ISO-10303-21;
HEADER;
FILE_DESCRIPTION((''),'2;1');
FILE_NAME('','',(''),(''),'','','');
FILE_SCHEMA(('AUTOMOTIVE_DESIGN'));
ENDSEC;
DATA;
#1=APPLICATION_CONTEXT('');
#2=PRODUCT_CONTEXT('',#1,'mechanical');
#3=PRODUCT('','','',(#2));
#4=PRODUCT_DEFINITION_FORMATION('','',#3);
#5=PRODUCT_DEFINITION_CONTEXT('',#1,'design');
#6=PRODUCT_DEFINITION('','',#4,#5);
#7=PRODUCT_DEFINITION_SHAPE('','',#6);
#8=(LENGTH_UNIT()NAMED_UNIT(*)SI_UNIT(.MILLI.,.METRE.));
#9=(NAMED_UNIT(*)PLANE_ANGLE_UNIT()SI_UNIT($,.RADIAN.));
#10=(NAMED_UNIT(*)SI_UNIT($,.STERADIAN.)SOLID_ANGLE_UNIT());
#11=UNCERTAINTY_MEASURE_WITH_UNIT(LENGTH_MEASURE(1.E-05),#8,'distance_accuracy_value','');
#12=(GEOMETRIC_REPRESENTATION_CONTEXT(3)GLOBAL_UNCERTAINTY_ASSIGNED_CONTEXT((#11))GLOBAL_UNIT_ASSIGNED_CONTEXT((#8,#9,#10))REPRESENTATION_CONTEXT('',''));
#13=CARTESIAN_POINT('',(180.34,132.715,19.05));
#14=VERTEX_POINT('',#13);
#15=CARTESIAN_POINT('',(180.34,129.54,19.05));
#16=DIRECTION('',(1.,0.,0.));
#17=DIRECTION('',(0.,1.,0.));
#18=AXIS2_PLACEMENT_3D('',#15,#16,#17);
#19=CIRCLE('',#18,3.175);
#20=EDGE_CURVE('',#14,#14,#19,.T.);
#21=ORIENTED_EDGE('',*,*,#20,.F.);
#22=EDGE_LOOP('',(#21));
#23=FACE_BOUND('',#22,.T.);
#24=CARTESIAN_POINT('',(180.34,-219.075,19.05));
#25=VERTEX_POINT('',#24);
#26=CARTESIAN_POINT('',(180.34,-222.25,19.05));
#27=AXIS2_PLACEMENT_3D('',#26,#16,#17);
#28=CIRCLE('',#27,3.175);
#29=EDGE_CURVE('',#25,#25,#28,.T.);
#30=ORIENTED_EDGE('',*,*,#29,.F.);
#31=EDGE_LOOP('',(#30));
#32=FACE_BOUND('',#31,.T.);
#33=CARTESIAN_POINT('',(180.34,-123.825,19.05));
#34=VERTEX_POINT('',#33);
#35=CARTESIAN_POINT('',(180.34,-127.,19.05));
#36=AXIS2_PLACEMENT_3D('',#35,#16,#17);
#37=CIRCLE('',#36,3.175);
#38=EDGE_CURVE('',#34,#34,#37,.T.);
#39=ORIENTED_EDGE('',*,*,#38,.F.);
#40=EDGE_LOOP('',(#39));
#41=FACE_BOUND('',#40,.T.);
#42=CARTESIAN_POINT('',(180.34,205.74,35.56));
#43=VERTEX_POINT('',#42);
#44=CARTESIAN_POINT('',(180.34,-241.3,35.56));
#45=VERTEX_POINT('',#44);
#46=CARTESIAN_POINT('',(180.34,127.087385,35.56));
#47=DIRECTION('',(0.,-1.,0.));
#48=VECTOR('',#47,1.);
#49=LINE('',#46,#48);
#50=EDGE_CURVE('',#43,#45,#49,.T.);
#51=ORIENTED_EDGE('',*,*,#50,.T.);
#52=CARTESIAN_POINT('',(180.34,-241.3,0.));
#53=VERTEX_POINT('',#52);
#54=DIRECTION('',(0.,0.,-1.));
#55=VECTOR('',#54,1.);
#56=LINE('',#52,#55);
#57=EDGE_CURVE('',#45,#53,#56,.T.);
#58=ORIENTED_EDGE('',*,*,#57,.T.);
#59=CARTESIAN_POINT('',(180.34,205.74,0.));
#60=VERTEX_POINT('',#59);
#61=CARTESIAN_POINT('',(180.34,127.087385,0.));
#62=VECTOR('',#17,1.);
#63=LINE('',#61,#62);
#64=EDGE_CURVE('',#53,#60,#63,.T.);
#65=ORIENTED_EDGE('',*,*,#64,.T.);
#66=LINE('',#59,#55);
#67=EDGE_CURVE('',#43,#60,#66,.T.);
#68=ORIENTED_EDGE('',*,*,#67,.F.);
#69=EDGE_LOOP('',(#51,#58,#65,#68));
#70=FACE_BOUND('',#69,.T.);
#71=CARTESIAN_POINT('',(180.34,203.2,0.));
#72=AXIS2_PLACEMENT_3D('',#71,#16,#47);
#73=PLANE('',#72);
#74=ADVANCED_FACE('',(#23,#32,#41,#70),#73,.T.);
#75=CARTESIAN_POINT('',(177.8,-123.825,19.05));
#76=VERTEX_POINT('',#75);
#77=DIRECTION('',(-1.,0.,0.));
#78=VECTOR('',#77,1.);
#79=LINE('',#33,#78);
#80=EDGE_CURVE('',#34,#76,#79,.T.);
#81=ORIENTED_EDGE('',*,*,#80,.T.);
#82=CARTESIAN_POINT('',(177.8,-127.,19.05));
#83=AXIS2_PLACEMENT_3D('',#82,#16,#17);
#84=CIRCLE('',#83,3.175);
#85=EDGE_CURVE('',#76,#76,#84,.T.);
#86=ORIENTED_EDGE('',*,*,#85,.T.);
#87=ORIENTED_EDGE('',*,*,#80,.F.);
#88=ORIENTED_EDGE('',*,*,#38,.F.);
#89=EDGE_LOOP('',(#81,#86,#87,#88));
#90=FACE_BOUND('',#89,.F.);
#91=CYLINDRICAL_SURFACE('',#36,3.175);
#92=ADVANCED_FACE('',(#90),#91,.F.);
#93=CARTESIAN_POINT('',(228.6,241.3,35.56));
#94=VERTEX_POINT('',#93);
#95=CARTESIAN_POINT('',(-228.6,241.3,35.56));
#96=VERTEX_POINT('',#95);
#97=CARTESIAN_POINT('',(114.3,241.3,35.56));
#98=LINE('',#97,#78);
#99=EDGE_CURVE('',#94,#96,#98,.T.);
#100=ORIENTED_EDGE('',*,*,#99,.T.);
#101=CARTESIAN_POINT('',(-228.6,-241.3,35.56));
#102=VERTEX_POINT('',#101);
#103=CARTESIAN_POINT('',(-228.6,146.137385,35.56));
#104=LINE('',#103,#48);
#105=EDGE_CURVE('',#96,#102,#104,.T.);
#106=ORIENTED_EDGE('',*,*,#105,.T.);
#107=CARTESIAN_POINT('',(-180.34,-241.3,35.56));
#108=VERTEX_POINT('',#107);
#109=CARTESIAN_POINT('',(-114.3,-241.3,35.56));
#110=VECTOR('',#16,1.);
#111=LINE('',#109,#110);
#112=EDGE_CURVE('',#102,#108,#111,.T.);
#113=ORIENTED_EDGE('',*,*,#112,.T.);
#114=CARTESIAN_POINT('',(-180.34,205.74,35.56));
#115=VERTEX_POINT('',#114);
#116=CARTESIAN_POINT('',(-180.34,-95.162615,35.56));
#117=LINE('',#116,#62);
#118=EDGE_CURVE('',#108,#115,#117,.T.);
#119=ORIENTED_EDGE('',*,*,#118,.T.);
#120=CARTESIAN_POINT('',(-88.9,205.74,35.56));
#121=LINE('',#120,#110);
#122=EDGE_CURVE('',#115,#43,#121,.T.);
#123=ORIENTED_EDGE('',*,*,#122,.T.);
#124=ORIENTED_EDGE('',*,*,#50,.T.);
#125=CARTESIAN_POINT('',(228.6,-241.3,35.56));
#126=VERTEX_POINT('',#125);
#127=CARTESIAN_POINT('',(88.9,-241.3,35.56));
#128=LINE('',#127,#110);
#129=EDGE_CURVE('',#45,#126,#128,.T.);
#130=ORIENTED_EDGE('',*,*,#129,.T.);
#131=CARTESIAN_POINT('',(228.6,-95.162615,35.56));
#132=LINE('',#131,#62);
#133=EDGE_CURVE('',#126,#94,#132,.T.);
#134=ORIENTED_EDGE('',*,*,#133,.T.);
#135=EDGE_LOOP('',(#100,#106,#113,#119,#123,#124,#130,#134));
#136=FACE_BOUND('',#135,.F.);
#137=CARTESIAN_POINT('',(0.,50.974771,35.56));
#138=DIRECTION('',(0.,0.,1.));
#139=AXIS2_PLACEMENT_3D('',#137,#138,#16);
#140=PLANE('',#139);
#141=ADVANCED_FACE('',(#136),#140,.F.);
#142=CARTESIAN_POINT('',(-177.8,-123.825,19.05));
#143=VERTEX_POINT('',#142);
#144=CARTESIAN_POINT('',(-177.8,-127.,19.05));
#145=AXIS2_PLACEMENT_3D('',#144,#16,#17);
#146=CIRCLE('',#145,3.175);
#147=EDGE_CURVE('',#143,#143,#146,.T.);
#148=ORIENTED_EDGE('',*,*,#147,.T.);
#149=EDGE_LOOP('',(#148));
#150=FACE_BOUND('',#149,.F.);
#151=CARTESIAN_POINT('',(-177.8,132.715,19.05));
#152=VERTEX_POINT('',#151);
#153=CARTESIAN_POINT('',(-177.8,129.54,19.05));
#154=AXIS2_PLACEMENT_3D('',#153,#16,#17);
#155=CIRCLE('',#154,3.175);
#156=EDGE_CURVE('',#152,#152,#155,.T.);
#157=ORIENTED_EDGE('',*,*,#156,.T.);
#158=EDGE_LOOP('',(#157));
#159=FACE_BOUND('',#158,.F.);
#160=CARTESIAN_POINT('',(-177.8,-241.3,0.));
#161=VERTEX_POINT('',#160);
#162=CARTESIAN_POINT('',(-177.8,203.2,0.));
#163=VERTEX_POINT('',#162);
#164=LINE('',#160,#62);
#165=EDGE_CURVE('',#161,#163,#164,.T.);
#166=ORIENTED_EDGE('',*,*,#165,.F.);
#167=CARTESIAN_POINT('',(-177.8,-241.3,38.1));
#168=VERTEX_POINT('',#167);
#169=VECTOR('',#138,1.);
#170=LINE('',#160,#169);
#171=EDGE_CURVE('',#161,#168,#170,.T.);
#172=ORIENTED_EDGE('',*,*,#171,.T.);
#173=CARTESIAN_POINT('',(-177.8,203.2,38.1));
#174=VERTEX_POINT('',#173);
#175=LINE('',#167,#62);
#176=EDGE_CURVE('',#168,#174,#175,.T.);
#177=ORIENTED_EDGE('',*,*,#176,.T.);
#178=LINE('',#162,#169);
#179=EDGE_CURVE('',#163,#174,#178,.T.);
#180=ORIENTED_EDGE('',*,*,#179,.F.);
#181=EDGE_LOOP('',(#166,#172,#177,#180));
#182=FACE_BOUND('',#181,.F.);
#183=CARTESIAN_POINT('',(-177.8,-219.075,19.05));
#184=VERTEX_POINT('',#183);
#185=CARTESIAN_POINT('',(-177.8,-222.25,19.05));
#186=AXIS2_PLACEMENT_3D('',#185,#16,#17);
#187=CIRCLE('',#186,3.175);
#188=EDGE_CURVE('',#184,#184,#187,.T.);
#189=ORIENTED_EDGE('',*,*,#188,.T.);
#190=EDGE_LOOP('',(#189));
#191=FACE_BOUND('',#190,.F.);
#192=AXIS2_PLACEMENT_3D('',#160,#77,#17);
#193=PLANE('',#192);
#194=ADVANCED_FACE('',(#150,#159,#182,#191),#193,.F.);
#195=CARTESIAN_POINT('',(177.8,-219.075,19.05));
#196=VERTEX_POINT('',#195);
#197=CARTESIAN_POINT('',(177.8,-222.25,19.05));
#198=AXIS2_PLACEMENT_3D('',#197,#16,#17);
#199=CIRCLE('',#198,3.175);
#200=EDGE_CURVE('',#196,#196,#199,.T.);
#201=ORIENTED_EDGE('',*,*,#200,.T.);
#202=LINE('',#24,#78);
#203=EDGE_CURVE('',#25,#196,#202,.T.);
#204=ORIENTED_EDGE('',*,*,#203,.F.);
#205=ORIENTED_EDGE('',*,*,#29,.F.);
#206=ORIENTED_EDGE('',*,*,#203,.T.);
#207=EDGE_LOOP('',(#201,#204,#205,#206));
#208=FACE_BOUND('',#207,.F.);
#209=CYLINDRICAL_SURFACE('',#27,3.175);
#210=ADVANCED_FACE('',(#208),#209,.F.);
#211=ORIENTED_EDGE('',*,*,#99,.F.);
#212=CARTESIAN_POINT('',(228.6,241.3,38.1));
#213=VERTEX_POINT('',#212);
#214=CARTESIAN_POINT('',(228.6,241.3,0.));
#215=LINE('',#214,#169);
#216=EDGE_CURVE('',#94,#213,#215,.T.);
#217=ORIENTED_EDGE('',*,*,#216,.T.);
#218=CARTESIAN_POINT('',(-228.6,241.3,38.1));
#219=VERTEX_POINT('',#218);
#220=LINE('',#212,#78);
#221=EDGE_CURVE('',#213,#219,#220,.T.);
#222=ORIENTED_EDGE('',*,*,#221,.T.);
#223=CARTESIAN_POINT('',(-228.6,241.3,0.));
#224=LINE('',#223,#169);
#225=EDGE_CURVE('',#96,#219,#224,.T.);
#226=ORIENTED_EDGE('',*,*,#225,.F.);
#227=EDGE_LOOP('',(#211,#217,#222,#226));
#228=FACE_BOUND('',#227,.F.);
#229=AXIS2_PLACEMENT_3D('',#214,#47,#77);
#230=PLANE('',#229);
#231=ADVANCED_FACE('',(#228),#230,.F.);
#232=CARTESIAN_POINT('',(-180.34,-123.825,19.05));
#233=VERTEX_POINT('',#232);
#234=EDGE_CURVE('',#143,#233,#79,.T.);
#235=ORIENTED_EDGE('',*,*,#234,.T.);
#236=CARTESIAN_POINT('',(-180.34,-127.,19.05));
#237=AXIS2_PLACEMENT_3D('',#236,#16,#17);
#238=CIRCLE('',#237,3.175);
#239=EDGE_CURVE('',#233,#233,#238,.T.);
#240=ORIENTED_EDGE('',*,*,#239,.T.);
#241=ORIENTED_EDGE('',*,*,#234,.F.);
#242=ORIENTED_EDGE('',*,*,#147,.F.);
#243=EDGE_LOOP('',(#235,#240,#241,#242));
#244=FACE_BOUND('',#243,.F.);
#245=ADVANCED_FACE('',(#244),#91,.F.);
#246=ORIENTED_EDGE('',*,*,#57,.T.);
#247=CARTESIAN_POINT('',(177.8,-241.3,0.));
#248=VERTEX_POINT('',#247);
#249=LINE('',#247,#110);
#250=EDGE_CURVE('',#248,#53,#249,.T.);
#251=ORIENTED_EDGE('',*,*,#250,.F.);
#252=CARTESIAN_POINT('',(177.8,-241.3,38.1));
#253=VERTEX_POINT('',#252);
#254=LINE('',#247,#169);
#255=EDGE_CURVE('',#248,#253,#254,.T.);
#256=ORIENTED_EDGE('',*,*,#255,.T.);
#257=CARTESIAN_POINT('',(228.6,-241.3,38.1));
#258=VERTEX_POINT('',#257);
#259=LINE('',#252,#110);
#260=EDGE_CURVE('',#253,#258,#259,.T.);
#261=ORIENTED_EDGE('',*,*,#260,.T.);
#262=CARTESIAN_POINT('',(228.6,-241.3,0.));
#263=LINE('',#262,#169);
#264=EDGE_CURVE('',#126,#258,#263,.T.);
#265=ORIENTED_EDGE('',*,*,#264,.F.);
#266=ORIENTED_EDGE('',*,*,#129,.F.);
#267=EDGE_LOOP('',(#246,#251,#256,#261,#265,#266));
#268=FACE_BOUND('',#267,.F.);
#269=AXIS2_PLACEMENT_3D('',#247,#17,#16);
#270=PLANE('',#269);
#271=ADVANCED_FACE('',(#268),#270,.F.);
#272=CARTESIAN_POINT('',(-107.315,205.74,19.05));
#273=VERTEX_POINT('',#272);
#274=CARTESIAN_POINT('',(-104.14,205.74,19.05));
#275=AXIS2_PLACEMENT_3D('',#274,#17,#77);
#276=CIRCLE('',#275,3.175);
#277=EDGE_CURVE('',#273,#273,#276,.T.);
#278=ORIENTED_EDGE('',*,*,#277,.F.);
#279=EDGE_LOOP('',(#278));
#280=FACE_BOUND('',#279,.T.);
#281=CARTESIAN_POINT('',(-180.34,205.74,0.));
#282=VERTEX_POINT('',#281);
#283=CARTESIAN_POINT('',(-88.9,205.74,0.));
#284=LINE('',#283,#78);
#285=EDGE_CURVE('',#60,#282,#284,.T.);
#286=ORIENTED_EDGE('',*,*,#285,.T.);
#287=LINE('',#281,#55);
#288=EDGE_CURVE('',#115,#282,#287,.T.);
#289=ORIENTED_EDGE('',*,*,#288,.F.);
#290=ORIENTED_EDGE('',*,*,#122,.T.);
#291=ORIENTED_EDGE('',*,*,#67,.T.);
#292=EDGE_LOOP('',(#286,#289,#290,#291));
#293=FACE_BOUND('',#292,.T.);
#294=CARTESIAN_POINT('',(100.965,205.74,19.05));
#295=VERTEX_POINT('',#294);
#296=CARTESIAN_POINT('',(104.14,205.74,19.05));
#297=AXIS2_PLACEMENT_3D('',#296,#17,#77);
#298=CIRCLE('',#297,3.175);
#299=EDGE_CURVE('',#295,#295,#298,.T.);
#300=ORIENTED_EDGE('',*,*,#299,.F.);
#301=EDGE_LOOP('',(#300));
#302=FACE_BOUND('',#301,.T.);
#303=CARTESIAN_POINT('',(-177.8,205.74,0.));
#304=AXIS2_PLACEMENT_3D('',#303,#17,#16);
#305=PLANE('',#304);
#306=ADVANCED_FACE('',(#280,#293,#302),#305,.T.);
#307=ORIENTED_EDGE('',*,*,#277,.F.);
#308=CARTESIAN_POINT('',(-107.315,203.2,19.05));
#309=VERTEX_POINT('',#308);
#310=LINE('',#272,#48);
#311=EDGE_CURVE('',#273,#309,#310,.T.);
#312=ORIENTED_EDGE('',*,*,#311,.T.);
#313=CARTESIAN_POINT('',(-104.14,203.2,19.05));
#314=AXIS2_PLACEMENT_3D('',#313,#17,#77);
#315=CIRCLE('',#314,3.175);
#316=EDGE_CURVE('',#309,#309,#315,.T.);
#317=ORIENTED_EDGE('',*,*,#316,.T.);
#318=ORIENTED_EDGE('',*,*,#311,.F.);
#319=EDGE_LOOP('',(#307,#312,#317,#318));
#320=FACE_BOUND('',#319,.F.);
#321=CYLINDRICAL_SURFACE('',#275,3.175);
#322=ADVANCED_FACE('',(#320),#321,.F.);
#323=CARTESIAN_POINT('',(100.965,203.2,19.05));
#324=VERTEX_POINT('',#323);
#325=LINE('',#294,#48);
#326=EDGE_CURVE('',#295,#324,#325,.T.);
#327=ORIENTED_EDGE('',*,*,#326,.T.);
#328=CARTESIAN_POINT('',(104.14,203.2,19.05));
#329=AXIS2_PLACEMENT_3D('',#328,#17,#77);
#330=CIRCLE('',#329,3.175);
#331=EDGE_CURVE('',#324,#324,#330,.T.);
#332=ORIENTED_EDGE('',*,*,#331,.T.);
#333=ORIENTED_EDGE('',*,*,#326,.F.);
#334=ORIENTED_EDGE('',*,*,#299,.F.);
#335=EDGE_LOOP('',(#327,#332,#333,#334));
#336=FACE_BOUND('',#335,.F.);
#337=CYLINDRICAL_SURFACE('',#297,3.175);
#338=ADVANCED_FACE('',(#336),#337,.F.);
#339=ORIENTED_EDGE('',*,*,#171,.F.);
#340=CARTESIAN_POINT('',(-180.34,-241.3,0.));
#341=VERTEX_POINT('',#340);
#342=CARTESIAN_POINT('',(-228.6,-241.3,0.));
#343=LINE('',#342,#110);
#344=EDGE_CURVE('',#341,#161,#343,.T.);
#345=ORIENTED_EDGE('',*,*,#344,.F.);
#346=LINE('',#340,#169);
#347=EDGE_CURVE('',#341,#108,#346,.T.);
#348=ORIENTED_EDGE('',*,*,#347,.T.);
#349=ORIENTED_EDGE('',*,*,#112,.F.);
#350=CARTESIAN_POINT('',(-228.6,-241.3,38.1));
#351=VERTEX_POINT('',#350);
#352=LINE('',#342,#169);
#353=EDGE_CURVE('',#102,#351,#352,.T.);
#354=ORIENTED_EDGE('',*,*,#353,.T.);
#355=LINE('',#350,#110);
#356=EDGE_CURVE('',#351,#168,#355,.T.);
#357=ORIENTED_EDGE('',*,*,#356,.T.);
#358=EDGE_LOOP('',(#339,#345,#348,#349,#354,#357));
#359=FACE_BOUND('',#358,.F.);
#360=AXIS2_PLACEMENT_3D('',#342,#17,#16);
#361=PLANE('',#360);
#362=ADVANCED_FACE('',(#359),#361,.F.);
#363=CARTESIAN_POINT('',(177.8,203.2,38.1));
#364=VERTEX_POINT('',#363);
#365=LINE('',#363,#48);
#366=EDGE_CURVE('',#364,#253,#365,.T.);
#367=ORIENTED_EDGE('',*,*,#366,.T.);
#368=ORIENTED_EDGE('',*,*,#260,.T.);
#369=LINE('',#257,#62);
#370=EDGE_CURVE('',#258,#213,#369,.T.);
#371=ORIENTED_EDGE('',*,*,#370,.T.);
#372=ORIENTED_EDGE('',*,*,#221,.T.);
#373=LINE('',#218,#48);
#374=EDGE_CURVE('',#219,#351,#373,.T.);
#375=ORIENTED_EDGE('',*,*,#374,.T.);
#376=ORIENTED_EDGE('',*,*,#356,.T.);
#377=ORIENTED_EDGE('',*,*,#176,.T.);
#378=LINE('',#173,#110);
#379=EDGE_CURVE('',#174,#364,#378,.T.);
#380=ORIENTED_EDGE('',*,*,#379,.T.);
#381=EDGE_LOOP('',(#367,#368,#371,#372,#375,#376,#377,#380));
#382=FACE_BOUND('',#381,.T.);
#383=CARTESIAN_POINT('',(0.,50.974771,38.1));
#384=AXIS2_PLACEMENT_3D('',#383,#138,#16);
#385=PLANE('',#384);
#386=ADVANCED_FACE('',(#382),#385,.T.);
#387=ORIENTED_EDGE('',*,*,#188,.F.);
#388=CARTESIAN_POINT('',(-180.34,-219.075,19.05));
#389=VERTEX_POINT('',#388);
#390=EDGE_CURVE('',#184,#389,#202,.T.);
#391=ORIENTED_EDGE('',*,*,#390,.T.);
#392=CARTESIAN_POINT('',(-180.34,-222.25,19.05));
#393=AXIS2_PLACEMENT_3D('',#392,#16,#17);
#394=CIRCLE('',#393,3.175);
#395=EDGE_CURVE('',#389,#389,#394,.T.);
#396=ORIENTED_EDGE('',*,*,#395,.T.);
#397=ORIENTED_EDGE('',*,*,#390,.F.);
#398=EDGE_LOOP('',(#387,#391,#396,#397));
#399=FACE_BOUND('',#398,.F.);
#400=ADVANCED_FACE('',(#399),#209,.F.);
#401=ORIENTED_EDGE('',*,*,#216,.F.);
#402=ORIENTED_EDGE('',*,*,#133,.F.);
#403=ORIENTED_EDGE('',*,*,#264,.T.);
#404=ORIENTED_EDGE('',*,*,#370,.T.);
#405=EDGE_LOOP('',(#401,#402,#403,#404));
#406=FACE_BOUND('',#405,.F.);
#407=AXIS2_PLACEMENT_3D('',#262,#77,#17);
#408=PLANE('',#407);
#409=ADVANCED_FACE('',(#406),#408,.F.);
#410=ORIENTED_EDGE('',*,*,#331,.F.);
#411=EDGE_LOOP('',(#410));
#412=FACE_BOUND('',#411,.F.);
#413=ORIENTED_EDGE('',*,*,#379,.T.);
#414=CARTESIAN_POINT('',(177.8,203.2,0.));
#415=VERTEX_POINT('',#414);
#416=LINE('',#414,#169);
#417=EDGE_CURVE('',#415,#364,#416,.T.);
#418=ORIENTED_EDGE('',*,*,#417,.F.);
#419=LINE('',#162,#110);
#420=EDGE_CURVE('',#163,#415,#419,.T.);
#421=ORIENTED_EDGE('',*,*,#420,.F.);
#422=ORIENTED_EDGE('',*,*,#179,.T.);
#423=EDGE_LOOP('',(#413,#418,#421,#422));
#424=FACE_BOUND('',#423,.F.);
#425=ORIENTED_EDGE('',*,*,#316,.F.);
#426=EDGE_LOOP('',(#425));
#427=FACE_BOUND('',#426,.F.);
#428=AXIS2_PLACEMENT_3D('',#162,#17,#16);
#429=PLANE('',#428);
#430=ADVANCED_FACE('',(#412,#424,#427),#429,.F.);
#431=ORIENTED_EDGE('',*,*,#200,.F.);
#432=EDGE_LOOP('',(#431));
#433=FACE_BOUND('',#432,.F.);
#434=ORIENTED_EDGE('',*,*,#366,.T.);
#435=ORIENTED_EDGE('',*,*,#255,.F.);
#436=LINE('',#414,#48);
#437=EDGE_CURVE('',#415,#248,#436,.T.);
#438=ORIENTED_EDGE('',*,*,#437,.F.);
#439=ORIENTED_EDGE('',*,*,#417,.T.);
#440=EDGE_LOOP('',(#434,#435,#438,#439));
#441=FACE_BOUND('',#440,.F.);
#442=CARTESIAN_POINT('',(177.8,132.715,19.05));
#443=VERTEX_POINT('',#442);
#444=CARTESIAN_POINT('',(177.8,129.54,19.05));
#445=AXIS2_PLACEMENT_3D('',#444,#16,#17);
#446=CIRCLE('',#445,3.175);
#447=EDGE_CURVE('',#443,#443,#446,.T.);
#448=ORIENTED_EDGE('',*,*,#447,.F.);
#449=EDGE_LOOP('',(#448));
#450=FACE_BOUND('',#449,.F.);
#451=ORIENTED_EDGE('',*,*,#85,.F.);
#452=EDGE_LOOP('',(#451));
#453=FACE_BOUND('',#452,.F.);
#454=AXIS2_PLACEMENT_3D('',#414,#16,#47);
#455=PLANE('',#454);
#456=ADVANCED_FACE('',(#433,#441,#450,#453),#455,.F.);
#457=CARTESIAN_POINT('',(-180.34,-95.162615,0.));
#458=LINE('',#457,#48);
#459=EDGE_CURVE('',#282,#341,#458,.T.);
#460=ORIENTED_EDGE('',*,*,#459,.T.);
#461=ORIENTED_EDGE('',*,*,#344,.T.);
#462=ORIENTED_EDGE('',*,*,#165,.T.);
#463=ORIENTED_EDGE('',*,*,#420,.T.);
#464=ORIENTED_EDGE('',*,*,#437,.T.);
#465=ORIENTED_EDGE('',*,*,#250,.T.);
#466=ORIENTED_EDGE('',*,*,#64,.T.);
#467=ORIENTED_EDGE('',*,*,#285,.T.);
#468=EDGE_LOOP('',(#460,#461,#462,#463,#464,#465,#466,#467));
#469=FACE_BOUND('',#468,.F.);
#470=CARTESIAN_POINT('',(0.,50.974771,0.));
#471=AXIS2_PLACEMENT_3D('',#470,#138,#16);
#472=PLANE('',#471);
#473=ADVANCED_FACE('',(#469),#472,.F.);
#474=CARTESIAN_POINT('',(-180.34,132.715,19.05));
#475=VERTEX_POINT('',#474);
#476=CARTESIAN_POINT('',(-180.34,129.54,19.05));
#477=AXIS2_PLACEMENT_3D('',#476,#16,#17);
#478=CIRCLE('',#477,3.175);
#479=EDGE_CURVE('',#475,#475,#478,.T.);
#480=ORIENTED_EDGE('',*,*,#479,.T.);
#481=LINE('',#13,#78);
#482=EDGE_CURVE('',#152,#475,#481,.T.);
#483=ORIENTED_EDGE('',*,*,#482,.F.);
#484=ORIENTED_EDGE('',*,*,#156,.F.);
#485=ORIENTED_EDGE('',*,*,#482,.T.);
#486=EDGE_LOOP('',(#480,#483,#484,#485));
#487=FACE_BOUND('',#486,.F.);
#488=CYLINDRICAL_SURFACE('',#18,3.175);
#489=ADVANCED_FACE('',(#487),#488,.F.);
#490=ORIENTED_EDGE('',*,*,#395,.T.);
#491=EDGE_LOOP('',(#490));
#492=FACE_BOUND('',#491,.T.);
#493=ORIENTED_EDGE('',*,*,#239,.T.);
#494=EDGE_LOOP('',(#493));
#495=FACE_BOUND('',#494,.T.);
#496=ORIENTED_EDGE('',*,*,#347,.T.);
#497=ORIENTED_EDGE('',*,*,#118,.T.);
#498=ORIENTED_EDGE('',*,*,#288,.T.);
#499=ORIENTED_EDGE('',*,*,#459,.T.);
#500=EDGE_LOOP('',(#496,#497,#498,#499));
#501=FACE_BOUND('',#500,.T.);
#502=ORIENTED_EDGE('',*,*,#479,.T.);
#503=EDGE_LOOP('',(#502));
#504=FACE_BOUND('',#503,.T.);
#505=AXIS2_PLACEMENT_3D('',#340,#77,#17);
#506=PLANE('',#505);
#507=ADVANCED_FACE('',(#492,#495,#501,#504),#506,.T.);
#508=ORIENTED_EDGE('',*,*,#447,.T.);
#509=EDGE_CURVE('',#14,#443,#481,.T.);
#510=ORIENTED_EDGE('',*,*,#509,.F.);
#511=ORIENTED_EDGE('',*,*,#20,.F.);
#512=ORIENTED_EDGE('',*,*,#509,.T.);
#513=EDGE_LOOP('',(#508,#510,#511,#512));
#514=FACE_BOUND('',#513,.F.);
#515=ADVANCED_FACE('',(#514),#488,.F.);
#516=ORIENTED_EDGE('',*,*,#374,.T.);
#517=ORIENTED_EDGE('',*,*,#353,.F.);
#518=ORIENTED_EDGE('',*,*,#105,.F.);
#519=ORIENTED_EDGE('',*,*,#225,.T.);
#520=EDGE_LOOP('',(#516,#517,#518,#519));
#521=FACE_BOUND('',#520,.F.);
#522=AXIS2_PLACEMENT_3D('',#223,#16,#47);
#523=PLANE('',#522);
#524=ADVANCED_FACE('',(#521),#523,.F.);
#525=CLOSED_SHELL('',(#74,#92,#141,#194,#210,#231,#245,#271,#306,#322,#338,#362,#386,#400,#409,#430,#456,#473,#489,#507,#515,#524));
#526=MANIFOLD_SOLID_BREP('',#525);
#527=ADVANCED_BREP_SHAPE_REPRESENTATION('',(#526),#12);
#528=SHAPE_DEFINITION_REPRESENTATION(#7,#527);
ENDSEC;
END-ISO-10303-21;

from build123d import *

# Parameters (mm, degrees)
F1_DEPTH = 38.1
F2_T     = -2.54
F3_R     = 3.175
F4_DEPTH = 408.941
F5_R     = 3.175
F6_DEPTH = 447.041


with BuildPart() as f1:
    # F0 (on Top) → F1 (new body)
    with BuildSketch(Plane.XY):
        Polygon((-177.8, -241.3), (-177.8, 203.2), (177.8, 203.2), (177.8, -241.3), (228.6, -241.3), (228.6, 241.3), (-228.6, 241.3), (-228.6, -241.3), align=None)
    extrude(amount=F1_DEPTH)

    # F2
    f2_openings = [f1.faces().sort_by_distance(p)[0] for p in [
        (-184.447816, -19.05, 0),
        (-228.6, 0, 19.05),
        (0, 241.3, 19.05),
        (228.6, 0, 19.05),
        (203.2, -241.3, 19.05),
        (-203.2, -241.3, 19.05),
    ]]
    offset(amount=F2_T, openings=f2_openings, kind=Kind.INTERSECTION)

    # F3 (on face) → F4 (cut, through all)
    with BuildSketch(Plane.YZ.offset(180.34)):
        with Locations((-222.25, 19.05)):
            Circle(F3_R)
        with Locations((-127, 19.05)):
            Circle(F3_R)
        with Locations((129.54, 19.05)):
            Circle(F3_R)
    extrude(amount=-F4_DEPTH, mode=Mode.SUBTRACT)

    # F5 (on face) → F6 (cut, through all)
    with BuildSketch(Plane(origin=(0, 205.74, 0), x_dir=(-1, 0, 0), z_dir=(0, 1, 0))):
        with Locations((-104.14, 19.05)):
            Circle(F5_R)
        with Locations((104.14, 19.05)):
            Circle(F5_R)
    extrude(amount=-F6_DEPTH, mode=Mode.SUBTRACT)


solid = f1.part
